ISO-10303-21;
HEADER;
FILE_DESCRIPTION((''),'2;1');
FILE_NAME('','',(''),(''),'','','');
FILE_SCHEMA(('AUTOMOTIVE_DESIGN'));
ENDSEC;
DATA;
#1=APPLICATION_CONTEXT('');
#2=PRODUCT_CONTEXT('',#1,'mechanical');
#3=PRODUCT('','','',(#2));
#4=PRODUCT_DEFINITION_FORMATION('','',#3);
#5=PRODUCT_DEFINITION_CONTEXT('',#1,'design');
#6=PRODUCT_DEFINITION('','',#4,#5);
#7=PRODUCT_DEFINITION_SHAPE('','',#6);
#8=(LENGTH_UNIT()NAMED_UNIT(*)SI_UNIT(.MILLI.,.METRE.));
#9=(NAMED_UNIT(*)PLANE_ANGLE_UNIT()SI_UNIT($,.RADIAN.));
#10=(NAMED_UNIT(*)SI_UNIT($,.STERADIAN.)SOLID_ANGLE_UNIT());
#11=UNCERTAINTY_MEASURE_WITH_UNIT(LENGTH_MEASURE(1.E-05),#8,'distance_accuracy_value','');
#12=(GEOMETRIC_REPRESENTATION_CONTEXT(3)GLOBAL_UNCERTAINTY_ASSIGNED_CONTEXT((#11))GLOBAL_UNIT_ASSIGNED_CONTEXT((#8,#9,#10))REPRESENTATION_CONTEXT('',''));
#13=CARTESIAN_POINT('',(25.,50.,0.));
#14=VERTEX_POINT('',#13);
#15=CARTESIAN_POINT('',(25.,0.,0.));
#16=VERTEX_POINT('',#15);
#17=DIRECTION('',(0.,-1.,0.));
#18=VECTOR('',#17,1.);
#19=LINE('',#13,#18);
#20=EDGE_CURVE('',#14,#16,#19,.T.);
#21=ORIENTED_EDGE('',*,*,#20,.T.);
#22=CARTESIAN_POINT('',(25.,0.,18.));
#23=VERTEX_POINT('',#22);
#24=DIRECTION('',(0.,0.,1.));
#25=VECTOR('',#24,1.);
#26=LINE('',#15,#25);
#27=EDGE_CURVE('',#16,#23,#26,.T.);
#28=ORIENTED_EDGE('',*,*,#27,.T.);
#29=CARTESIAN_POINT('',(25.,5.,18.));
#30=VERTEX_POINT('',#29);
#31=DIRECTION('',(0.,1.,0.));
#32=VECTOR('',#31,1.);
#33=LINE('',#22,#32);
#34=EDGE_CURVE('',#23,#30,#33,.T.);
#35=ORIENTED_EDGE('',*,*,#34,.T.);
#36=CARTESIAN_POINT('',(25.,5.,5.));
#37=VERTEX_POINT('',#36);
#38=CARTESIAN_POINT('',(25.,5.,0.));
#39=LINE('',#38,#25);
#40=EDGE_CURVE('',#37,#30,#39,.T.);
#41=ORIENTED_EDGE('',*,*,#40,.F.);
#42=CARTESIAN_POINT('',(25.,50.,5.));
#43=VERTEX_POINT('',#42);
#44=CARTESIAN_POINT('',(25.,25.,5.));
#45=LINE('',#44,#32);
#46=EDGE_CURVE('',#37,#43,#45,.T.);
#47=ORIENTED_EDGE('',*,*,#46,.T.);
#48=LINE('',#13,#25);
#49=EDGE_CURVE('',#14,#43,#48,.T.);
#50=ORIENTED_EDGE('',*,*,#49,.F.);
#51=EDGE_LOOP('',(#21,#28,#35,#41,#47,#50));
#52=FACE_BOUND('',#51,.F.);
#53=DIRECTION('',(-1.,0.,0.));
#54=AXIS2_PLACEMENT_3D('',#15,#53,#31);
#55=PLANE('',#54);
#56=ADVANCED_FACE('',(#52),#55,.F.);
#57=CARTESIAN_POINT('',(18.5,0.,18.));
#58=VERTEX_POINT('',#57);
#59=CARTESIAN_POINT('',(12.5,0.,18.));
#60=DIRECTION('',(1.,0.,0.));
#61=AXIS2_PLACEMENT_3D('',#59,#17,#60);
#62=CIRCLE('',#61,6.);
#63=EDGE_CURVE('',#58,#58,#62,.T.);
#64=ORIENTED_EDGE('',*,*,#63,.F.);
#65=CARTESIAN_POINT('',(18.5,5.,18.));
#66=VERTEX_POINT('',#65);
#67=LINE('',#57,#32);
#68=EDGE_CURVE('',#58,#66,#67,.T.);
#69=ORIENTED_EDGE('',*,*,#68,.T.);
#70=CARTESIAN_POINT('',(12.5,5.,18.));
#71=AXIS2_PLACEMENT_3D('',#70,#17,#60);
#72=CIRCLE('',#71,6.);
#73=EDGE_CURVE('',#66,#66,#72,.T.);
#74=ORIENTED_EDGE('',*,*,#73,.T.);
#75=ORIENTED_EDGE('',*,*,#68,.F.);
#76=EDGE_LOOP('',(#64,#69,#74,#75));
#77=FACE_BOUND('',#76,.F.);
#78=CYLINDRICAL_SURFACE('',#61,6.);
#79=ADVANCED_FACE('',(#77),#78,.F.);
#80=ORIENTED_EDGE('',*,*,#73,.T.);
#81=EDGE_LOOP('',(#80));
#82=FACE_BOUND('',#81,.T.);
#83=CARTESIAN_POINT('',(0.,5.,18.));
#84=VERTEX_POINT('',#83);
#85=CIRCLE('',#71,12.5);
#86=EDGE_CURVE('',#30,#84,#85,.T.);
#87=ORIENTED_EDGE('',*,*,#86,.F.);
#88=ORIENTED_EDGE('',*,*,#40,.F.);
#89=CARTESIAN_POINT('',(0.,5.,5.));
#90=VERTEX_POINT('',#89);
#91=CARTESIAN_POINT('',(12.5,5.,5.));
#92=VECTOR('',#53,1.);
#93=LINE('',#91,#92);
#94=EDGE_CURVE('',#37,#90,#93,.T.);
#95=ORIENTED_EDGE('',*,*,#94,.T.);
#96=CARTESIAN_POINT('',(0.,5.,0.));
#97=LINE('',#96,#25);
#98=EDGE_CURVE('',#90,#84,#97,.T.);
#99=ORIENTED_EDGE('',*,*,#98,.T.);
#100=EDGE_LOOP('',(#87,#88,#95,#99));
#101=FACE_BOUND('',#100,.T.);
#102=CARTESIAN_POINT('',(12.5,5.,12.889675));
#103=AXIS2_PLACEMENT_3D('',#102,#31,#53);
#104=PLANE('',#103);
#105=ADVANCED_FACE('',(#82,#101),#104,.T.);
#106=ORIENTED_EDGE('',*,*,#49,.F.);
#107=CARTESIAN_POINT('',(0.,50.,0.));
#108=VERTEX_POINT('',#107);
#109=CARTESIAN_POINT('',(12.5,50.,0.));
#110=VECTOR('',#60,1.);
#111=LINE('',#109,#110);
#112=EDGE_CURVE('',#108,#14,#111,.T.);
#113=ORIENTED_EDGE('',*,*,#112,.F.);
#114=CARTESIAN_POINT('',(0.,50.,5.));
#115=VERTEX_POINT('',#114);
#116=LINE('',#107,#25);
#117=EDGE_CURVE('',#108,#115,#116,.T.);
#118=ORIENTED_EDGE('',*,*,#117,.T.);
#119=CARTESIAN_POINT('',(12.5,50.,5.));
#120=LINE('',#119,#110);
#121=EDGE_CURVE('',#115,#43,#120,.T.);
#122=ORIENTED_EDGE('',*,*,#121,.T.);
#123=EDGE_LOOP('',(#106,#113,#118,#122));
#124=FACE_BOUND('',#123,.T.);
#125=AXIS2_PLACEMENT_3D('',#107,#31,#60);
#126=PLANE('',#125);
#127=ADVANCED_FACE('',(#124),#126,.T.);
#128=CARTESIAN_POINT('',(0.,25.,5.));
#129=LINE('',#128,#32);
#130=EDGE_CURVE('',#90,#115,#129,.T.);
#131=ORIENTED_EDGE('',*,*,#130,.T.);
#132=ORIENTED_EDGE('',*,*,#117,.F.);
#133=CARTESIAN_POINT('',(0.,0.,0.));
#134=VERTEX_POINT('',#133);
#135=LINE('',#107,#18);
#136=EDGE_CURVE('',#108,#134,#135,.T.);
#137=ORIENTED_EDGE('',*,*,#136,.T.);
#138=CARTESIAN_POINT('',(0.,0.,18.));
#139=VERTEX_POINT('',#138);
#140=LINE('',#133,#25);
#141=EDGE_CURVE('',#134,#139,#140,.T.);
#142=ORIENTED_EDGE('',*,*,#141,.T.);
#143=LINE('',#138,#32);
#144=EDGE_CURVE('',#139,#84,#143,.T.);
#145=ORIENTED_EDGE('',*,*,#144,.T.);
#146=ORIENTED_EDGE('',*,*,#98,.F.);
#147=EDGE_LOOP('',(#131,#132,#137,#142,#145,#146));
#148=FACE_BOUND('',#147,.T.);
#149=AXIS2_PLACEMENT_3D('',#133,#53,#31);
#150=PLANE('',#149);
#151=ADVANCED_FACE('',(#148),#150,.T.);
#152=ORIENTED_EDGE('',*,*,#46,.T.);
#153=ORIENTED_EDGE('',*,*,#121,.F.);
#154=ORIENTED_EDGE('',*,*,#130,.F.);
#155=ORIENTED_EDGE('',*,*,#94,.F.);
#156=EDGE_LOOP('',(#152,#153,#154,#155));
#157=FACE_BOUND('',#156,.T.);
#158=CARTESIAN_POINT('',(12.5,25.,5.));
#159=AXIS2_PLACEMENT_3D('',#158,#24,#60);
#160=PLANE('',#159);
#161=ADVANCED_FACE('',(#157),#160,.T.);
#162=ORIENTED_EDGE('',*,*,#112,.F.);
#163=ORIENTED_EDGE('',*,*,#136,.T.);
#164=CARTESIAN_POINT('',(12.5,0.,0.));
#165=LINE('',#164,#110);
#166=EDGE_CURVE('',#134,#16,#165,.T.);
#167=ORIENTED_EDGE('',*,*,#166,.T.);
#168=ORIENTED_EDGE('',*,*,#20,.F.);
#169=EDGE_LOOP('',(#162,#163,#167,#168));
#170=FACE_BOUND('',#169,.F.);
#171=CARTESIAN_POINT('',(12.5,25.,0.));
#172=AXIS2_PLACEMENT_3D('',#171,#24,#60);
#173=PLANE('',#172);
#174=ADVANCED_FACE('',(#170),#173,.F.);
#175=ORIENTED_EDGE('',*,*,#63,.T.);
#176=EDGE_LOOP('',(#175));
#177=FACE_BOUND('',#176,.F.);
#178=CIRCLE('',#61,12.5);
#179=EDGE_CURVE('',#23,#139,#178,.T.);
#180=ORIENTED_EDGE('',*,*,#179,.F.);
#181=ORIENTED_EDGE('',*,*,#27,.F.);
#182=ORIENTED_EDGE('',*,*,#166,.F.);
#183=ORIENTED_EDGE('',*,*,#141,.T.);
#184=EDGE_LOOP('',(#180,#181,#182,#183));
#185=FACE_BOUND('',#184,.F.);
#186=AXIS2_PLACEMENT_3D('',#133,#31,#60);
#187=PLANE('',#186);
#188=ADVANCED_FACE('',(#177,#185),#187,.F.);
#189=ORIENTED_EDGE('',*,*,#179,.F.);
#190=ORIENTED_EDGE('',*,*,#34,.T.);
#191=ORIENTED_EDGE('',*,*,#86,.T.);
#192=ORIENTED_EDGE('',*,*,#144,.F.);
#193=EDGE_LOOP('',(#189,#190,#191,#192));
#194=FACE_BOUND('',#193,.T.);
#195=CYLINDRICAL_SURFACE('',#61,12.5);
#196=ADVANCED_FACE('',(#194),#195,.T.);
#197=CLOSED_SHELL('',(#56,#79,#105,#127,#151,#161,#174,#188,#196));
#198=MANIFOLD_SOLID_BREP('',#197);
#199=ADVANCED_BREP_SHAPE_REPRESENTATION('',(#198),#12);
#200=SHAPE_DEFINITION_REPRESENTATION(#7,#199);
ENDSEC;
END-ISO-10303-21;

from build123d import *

# Parameters (mm, degrees)
SKETCH_W     = 25
SKETCH_H     = 50
PAD_DEPTH    = 5
SKETCH001_R  = 6
PAD001_DEPTH = 5


with BuildPart() as part:
    # Sketch → Pad (new body)
    with BuildSketch(Plane.XY):
        with Locations((12.5, 25)):
            Rectangle(SKETCH_W, SKETCH_H)
    extrude(amount=PAD_DEPTH)

    # Sketch001 (on Face1 of Pad) → Pad001 (join)
    with BuildSketch(Plane.XZ):
        with BuildLine():
            Line((0, 0), (0, 18))
            ThreePointArc((25, 18), (12.5, 30.5), (0, 18))
            Line((25, 0), (25, 18))
            Line((0, 0), (25, 0))
        make_face()
        with Locations((12.5, 18)):
            Circle(SKETCH001_R, mode=Mode.SUBTRACT)
    extrude(amount=-PAD001_DEPTH)


solid = part.part
